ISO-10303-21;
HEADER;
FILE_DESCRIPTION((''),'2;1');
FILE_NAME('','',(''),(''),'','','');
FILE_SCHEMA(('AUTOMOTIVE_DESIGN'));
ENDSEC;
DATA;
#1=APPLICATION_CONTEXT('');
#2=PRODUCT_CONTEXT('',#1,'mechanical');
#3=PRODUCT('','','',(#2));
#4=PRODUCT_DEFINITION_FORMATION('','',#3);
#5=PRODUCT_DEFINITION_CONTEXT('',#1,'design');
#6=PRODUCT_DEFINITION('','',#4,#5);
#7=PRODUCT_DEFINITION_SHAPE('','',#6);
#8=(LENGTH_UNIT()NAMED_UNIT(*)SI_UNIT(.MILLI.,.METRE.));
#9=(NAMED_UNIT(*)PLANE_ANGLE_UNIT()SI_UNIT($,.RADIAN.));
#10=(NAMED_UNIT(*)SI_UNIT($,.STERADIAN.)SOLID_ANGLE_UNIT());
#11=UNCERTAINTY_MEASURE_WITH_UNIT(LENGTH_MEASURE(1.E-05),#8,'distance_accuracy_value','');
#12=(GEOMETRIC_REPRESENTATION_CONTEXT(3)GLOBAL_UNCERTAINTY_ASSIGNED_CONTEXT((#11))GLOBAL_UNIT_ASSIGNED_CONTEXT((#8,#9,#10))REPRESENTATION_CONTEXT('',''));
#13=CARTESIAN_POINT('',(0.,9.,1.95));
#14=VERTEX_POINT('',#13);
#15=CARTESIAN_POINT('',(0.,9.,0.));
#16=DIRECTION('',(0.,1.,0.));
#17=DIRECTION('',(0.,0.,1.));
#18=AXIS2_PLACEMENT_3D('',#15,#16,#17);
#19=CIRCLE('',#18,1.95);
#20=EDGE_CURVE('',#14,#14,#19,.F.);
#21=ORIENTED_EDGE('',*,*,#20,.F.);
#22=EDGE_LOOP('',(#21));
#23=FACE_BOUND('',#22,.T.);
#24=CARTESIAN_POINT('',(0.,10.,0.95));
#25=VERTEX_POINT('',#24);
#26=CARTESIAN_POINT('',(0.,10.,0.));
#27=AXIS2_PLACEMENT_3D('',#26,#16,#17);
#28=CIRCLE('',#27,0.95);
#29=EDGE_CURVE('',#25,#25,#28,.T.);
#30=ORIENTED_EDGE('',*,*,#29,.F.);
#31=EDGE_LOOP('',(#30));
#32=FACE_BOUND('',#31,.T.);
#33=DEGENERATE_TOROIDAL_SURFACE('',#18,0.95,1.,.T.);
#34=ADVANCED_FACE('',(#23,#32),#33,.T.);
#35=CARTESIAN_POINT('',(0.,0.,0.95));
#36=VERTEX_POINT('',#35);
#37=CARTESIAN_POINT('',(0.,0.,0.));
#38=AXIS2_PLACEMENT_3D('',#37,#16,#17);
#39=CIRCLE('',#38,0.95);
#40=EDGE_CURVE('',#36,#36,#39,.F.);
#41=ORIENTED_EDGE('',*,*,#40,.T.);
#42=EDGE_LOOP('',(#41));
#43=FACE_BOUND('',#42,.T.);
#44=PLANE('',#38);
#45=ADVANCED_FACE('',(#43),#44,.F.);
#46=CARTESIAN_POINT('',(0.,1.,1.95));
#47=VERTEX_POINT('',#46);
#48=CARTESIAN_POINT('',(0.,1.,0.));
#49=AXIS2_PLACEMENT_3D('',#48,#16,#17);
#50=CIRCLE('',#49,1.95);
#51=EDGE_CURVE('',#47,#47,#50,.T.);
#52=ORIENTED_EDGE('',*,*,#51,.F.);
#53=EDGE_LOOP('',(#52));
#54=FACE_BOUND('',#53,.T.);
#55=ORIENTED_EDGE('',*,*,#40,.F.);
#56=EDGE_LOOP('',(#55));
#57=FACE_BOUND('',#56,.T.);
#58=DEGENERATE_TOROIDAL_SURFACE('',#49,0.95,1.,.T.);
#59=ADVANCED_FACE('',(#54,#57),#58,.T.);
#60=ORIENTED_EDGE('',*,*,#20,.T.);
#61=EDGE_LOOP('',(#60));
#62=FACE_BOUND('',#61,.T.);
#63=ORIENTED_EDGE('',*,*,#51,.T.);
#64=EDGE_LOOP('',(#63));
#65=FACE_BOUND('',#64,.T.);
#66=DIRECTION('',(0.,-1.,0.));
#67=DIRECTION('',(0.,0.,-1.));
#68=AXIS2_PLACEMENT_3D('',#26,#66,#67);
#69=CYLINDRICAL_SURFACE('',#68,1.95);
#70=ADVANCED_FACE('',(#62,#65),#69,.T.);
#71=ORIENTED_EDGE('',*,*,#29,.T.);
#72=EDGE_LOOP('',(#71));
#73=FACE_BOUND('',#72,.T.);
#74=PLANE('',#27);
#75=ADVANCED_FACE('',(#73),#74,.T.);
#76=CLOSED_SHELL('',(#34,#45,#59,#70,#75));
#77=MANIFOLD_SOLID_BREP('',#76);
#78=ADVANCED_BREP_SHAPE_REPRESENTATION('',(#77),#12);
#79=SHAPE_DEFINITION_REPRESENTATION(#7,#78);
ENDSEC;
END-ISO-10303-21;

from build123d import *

# Parameters (mm, degrees)
ESQUISSE1_R        = 1.95
BOSS_EXTRU_1_DEPTH = 10
CONG_1_R           = 1


with BuildPart() as part:
    # Esquisse1 → Boss.-Extru.1 (new body)
    with BuildSketch(Plane(origin=(0, 0, 0), x_dir=(1, 0, 0), z_dir=(0, 1, 0))):
        with Locations(Location((0, 0, 0), (0, 0, 270))):
            Circle(ESQUISSE1_R)
    extrude(amount=BOSS_EXTRU_1_DEPTH)

    # Congé1
    cong_1_edges = [part.edges().sort_by_distance(p)[0] for p in [
        (0, 0, -1.95),
        (0, 10, -1.95),
    ]]
    fillet(cong_1_edges, radius=CONG_1_R)


solid = part.part
